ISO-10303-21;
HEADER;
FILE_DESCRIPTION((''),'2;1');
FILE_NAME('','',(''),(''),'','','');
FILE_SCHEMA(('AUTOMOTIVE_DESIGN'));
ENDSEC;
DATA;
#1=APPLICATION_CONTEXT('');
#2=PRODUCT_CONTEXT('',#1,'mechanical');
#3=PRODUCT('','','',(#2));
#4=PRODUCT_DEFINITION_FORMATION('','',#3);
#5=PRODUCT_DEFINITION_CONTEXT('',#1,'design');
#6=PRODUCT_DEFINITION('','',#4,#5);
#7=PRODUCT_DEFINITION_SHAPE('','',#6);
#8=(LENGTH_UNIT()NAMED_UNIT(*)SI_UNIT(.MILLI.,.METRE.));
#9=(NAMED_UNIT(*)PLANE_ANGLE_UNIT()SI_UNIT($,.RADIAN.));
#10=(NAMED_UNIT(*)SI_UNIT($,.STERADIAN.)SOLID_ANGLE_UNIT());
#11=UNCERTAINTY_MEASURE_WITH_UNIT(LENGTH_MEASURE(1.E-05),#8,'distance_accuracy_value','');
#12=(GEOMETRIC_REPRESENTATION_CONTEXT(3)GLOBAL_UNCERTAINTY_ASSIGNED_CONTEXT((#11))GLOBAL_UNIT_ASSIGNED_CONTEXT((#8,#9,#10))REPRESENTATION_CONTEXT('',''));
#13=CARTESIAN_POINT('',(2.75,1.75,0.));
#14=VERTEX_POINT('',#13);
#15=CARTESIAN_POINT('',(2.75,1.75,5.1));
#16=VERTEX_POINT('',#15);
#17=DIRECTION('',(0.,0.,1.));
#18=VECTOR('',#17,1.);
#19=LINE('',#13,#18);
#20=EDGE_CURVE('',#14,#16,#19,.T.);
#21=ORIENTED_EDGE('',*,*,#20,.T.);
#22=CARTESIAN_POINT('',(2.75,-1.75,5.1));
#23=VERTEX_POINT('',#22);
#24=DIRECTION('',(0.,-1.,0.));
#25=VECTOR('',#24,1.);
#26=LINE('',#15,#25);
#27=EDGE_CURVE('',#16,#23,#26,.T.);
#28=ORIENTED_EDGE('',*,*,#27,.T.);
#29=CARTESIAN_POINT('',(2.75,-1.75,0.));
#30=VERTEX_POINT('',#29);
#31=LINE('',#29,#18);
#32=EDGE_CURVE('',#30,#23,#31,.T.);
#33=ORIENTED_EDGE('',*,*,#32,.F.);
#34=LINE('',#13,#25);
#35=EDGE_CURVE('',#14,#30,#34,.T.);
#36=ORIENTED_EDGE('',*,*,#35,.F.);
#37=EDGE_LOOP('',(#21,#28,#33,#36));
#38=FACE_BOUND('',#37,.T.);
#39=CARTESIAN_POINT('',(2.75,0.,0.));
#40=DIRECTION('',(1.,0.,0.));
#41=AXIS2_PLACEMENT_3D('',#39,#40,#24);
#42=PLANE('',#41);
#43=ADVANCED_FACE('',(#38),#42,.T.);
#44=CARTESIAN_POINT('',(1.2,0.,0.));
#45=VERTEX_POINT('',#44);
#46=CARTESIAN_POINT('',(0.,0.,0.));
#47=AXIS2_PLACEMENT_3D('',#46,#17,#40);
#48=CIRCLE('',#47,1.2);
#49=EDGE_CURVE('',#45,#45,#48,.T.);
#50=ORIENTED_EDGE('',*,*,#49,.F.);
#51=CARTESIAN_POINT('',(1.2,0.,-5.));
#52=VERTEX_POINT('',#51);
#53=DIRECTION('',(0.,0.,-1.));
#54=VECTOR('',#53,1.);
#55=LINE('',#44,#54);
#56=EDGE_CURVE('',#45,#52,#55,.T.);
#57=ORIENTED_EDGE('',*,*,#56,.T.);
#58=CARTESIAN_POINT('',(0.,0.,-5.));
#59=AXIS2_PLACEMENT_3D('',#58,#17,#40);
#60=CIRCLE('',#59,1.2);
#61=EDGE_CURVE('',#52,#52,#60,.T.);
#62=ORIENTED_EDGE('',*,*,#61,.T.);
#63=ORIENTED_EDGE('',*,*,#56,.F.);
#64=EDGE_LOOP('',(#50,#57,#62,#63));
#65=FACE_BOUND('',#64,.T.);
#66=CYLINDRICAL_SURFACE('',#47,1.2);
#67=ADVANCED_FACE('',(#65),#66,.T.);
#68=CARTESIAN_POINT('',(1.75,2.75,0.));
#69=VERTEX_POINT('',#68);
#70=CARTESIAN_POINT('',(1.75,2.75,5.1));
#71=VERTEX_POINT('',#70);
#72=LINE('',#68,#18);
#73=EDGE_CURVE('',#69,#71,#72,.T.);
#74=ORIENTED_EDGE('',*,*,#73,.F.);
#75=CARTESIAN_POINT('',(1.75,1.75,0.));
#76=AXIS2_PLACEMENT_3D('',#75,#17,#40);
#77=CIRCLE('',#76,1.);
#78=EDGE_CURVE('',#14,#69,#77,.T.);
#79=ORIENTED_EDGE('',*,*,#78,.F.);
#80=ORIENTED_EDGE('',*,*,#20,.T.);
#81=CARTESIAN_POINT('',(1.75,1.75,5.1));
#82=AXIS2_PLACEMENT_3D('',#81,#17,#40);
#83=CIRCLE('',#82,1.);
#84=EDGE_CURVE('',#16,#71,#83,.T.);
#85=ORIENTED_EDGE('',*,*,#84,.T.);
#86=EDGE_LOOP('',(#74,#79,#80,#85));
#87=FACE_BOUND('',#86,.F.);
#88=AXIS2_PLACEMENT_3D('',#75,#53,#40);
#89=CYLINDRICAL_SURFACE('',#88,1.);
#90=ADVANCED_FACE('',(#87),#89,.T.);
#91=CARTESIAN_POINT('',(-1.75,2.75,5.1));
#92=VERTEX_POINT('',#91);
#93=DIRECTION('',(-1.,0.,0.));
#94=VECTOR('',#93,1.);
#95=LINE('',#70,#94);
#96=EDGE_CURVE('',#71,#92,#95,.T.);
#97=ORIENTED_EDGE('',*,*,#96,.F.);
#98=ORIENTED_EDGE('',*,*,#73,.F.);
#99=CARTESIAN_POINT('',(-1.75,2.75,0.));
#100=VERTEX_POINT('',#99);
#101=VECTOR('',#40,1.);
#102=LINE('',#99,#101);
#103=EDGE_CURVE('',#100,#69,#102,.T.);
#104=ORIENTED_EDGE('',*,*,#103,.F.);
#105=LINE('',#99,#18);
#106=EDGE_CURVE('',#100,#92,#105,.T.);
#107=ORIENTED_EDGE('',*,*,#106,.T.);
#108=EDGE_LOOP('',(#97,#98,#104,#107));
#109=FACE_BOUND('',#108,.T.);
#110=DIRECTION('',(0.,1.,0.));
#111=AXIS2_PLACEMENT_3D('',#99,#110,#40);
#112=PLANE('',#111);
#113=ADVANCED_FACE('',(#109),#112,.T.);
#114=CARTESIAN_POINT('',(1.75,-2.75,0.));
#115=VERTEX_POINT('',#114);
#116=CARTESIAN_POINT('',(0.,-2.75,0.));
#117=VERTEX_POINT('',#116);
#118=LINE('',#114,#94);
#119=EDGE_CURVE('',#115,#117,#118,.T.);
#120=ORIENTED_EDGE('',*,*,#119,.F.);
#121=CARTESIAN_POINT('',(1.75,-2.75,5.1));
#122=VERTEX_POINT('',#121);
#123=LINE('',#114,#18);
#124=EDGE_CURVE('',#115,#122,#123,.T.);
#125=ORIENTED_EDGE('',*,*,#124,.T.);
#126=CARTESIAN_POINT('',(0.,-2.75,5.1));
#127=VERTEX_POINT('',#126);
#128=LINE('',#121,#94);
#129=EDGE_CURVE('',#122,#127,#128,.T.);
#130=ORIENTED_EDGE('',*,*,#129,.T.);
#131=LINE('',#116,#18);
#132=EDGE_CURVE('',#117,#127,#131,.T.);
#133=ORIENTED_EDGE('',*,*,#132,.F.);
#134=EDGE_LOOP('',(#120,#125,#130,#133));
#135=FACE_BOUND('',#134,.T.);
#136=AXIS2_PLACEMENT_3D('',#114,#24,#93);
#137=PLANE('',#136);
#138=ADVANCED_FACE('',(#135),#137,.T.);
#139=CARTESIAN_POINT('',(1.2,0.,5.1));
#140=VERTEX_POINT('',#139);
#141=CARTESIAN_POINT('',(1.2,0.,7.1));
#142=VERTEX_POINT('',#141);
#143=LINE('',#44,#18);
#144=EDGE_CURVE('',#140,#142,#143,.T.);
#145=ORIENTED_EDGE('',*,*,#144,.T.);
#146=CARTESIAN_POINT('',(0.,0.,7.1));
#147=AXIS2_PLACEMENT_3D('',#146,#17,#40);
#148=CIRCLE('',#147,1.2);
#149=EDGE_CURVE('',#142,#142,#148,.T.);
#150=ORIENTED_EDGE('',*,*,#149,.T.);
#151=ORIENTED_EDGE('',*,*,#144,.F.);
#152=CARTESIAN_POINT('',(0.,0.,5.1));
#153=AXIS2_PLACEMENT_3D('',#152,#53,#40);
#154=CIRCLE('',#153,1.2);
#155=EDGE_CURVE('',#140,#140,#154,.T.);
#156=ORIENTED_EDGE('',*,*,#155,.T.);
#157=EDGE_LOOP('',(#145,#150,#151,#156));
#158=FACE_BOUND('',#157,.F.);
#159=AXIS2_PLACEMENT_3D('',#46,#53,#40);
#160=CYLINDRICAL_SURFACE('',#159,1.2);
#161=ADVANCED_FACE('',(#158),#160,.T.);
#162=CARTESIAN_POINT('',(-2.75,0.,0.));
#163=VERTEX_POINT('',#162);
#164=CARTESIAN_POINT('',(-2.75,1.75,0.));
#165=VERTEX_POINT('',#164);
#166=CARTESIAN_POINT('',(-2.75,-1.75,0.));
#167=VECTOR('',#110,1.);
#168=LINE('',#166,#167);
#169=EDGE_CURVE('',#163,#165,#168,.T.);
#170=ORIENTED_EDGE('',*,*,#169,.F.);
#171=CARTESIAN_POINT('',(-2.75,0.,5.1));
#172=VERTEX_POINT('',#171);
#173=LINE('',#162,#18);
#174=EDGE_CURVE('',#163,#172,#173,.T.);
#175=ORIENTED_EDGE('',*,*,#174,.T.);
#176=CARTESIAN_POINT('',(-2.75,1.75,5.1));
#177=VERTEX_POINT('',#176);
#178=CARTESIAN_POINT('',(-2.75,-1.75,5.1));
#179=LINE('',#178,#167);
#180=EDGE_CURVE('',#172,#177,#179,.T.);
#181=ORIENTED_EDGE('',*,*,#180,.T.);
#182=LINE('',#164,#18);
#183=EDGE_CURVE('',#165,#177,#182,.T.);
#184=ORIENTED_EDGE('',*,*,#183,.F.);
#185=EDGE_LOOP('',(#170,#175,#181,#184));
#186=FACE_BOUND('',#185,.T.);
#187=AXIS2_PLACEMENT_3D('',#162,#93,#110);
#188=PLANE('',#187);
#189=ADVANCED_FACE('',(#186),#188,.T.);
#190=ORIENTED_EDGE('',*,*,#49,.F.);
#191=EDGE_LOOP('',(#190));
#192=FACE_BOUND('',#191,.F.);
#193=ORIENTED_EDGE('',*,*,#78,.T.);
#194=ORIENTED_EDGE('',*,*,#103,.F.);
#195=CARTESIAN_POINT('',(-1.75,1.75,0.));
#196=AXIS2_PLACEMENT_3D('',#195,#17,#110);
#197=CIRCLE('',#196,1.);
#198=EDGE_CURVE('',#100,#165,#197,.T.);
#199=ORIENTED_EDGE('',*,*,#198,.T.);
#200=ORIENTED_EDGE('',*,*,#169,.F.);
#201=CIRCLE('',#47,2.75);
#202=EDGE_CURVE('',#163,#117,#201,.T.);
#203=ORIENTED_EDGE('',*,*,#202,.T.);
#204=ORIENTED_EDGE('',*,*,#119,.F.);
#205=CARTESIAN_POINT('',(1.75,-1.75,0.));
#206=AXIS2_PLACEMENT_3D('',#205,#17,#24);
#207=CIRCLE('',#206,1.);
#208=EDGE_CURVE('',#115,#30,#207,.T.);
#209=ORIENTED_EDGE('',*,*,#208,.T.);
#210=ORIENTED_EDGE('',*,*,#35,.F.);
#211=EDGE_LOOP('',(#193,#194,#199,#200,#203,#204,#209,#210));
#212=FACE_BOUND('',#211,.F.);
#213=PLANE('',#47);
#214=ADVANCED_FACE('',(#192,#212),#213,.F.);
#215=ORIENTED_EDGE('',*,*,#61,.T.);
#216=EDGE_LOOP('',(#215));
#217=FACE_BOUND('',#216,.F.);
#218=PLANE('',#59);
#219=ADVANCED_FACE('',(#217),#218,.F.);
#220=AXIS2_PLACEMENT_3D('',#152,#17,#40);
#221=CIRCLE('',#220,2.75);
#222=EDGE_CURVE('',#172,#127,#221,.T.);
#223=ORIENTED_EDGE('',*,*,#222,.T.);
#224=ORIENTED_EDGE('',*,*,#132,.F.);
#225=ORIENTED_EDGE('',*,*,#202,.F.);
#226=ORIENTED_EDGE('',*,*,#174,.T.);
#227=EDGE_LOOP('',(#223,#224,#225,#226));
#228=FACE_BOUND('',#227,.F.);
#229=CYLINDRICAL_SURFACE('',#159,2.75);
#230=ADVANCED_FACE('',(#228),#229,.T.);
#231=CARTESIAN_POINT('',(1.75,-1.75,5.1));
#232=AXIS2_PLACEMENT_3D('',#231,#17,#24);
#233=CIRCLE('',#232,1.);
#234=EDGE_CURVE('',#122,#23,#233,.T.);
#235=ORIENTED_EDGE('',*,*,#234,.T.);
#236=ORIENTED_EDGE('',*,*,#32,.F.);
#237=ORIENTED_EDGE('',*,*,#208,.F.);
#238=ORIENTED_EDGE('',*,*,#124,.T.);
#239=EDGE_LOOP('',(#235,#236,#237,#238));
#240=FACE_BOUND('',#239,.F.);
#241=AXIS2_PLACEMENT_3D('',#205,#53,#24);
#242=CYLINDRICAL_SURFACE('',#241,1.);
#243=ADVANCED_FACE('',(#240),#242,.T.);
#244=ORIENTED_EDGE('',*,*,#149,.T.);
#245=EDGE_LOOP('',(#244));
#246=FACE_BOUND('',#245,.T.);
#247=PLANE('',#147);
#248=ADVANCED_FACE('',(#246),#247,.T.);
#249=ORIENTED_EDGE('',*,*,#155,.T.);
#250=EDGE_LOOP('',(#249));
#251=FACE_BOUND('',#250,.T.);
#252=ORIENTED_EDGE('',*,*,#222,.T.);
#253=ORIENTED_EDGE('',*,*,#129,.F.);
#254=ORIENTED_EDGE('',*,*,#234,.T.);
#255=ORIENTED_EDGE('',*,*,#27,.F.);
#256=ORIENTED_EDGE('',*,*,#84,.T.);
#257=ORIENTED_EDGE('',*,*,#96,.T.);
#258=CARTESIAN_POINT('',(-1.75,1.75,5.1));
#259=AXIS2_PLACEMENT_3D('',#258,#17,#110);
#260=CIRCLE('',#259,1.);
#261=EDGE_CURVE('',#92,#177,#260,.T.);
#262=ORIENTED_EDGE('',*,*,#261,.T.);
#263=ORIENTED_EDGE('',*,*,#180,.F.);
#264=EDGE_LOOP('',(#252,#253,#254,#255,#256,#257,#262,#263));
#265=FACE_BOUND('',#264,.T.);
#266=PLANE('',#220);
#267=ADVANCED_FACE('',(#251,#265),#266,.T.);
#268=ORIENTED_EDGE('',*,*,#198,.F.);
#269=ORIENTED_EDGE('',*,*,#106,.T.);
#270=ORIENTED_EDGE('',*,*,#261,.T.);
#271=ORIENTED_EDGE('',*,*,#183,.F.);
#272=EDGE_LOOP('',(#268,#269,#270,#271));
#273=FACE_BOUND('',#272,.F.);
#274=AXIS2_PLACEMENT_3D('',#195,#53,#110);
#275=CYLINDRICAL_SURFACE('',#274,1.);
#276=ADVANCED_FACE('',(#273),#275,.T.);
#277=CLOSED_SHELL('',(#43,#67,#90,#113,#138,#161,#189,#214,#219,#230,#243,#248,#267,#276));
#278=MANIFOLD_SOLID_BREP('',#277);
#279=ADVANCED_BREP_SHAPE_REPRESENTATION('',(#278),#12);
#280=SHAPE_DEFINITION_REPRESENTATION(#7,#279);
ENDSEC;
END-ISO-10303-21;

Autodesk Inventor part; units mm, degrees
ref_plane "YZ Plane" through (0, 0, 0) normal (1, 0, 0) x (0, 1, 0)
ref_plane "XZ Plane" through (0, 0, 0) normal (0, 1, 0) x (-1, 0, 0)
ref_plane "XY Plane" through (0, 0, 0) normal (0, 0, 1) x (1, 0, 0)
sketch "Sketch1" plane through (0, 0, 0) normal (0, 0, 1) x (1, 0, 0)
  circle A0 centre (0, 0) radius 1.2
  circle A1 centre (0, 0) radius 2.75
  line L0 (-1.75, 2.75) -> (1.75, 2.75)
  line L1 (2.75, 1.75) -> (2.75, -1.75)
  line L2 (1.75, -2.75) -> (-1.75, -2.75)
  line L3 (-2.75, -1.75) -> (-2.75, 1.75)
  arc A2 (-1.75, 2.75) -> (-2.75, 1.75) centre (-1.75, 1.75) ccw
  arc A3 (2.75, 1.75) -> (1.75, 2.75) centre (1.75, 1.75) ccw
  arc A4 (1.75, -2.75) -> (2.75, -1.75) centre (1.75, -1.75) ccw
  arc A5 (-2.75, -1.75) -> (-1.75, -2.75) centre (-1.75, -1.75) ccw
  point P0 (-2.75, 0)
  point P1 (0, -2.75)
  dimension "d0" = 2.4
  dimension "d1" = 5.5
  dimension "d2" = 1
  dimension "d3" = 1
  dimension "d4" = 1
extrude "Extrusion1" add sketch "Sketch1" against normal blind 5 contours A0
extrude "Extrusion2" add sketch "Sketch1" along normal blind 5.1 contours A0 | A1 | L1 A4 L2 A1 | A1 L0 A3 L1 | A1 L3 A2 L0
extrude "Extrusion3" add sketch "Sketch1" along normal blind 7.1 contours A0
properties part number "rpi_base_back_3DPrint"
